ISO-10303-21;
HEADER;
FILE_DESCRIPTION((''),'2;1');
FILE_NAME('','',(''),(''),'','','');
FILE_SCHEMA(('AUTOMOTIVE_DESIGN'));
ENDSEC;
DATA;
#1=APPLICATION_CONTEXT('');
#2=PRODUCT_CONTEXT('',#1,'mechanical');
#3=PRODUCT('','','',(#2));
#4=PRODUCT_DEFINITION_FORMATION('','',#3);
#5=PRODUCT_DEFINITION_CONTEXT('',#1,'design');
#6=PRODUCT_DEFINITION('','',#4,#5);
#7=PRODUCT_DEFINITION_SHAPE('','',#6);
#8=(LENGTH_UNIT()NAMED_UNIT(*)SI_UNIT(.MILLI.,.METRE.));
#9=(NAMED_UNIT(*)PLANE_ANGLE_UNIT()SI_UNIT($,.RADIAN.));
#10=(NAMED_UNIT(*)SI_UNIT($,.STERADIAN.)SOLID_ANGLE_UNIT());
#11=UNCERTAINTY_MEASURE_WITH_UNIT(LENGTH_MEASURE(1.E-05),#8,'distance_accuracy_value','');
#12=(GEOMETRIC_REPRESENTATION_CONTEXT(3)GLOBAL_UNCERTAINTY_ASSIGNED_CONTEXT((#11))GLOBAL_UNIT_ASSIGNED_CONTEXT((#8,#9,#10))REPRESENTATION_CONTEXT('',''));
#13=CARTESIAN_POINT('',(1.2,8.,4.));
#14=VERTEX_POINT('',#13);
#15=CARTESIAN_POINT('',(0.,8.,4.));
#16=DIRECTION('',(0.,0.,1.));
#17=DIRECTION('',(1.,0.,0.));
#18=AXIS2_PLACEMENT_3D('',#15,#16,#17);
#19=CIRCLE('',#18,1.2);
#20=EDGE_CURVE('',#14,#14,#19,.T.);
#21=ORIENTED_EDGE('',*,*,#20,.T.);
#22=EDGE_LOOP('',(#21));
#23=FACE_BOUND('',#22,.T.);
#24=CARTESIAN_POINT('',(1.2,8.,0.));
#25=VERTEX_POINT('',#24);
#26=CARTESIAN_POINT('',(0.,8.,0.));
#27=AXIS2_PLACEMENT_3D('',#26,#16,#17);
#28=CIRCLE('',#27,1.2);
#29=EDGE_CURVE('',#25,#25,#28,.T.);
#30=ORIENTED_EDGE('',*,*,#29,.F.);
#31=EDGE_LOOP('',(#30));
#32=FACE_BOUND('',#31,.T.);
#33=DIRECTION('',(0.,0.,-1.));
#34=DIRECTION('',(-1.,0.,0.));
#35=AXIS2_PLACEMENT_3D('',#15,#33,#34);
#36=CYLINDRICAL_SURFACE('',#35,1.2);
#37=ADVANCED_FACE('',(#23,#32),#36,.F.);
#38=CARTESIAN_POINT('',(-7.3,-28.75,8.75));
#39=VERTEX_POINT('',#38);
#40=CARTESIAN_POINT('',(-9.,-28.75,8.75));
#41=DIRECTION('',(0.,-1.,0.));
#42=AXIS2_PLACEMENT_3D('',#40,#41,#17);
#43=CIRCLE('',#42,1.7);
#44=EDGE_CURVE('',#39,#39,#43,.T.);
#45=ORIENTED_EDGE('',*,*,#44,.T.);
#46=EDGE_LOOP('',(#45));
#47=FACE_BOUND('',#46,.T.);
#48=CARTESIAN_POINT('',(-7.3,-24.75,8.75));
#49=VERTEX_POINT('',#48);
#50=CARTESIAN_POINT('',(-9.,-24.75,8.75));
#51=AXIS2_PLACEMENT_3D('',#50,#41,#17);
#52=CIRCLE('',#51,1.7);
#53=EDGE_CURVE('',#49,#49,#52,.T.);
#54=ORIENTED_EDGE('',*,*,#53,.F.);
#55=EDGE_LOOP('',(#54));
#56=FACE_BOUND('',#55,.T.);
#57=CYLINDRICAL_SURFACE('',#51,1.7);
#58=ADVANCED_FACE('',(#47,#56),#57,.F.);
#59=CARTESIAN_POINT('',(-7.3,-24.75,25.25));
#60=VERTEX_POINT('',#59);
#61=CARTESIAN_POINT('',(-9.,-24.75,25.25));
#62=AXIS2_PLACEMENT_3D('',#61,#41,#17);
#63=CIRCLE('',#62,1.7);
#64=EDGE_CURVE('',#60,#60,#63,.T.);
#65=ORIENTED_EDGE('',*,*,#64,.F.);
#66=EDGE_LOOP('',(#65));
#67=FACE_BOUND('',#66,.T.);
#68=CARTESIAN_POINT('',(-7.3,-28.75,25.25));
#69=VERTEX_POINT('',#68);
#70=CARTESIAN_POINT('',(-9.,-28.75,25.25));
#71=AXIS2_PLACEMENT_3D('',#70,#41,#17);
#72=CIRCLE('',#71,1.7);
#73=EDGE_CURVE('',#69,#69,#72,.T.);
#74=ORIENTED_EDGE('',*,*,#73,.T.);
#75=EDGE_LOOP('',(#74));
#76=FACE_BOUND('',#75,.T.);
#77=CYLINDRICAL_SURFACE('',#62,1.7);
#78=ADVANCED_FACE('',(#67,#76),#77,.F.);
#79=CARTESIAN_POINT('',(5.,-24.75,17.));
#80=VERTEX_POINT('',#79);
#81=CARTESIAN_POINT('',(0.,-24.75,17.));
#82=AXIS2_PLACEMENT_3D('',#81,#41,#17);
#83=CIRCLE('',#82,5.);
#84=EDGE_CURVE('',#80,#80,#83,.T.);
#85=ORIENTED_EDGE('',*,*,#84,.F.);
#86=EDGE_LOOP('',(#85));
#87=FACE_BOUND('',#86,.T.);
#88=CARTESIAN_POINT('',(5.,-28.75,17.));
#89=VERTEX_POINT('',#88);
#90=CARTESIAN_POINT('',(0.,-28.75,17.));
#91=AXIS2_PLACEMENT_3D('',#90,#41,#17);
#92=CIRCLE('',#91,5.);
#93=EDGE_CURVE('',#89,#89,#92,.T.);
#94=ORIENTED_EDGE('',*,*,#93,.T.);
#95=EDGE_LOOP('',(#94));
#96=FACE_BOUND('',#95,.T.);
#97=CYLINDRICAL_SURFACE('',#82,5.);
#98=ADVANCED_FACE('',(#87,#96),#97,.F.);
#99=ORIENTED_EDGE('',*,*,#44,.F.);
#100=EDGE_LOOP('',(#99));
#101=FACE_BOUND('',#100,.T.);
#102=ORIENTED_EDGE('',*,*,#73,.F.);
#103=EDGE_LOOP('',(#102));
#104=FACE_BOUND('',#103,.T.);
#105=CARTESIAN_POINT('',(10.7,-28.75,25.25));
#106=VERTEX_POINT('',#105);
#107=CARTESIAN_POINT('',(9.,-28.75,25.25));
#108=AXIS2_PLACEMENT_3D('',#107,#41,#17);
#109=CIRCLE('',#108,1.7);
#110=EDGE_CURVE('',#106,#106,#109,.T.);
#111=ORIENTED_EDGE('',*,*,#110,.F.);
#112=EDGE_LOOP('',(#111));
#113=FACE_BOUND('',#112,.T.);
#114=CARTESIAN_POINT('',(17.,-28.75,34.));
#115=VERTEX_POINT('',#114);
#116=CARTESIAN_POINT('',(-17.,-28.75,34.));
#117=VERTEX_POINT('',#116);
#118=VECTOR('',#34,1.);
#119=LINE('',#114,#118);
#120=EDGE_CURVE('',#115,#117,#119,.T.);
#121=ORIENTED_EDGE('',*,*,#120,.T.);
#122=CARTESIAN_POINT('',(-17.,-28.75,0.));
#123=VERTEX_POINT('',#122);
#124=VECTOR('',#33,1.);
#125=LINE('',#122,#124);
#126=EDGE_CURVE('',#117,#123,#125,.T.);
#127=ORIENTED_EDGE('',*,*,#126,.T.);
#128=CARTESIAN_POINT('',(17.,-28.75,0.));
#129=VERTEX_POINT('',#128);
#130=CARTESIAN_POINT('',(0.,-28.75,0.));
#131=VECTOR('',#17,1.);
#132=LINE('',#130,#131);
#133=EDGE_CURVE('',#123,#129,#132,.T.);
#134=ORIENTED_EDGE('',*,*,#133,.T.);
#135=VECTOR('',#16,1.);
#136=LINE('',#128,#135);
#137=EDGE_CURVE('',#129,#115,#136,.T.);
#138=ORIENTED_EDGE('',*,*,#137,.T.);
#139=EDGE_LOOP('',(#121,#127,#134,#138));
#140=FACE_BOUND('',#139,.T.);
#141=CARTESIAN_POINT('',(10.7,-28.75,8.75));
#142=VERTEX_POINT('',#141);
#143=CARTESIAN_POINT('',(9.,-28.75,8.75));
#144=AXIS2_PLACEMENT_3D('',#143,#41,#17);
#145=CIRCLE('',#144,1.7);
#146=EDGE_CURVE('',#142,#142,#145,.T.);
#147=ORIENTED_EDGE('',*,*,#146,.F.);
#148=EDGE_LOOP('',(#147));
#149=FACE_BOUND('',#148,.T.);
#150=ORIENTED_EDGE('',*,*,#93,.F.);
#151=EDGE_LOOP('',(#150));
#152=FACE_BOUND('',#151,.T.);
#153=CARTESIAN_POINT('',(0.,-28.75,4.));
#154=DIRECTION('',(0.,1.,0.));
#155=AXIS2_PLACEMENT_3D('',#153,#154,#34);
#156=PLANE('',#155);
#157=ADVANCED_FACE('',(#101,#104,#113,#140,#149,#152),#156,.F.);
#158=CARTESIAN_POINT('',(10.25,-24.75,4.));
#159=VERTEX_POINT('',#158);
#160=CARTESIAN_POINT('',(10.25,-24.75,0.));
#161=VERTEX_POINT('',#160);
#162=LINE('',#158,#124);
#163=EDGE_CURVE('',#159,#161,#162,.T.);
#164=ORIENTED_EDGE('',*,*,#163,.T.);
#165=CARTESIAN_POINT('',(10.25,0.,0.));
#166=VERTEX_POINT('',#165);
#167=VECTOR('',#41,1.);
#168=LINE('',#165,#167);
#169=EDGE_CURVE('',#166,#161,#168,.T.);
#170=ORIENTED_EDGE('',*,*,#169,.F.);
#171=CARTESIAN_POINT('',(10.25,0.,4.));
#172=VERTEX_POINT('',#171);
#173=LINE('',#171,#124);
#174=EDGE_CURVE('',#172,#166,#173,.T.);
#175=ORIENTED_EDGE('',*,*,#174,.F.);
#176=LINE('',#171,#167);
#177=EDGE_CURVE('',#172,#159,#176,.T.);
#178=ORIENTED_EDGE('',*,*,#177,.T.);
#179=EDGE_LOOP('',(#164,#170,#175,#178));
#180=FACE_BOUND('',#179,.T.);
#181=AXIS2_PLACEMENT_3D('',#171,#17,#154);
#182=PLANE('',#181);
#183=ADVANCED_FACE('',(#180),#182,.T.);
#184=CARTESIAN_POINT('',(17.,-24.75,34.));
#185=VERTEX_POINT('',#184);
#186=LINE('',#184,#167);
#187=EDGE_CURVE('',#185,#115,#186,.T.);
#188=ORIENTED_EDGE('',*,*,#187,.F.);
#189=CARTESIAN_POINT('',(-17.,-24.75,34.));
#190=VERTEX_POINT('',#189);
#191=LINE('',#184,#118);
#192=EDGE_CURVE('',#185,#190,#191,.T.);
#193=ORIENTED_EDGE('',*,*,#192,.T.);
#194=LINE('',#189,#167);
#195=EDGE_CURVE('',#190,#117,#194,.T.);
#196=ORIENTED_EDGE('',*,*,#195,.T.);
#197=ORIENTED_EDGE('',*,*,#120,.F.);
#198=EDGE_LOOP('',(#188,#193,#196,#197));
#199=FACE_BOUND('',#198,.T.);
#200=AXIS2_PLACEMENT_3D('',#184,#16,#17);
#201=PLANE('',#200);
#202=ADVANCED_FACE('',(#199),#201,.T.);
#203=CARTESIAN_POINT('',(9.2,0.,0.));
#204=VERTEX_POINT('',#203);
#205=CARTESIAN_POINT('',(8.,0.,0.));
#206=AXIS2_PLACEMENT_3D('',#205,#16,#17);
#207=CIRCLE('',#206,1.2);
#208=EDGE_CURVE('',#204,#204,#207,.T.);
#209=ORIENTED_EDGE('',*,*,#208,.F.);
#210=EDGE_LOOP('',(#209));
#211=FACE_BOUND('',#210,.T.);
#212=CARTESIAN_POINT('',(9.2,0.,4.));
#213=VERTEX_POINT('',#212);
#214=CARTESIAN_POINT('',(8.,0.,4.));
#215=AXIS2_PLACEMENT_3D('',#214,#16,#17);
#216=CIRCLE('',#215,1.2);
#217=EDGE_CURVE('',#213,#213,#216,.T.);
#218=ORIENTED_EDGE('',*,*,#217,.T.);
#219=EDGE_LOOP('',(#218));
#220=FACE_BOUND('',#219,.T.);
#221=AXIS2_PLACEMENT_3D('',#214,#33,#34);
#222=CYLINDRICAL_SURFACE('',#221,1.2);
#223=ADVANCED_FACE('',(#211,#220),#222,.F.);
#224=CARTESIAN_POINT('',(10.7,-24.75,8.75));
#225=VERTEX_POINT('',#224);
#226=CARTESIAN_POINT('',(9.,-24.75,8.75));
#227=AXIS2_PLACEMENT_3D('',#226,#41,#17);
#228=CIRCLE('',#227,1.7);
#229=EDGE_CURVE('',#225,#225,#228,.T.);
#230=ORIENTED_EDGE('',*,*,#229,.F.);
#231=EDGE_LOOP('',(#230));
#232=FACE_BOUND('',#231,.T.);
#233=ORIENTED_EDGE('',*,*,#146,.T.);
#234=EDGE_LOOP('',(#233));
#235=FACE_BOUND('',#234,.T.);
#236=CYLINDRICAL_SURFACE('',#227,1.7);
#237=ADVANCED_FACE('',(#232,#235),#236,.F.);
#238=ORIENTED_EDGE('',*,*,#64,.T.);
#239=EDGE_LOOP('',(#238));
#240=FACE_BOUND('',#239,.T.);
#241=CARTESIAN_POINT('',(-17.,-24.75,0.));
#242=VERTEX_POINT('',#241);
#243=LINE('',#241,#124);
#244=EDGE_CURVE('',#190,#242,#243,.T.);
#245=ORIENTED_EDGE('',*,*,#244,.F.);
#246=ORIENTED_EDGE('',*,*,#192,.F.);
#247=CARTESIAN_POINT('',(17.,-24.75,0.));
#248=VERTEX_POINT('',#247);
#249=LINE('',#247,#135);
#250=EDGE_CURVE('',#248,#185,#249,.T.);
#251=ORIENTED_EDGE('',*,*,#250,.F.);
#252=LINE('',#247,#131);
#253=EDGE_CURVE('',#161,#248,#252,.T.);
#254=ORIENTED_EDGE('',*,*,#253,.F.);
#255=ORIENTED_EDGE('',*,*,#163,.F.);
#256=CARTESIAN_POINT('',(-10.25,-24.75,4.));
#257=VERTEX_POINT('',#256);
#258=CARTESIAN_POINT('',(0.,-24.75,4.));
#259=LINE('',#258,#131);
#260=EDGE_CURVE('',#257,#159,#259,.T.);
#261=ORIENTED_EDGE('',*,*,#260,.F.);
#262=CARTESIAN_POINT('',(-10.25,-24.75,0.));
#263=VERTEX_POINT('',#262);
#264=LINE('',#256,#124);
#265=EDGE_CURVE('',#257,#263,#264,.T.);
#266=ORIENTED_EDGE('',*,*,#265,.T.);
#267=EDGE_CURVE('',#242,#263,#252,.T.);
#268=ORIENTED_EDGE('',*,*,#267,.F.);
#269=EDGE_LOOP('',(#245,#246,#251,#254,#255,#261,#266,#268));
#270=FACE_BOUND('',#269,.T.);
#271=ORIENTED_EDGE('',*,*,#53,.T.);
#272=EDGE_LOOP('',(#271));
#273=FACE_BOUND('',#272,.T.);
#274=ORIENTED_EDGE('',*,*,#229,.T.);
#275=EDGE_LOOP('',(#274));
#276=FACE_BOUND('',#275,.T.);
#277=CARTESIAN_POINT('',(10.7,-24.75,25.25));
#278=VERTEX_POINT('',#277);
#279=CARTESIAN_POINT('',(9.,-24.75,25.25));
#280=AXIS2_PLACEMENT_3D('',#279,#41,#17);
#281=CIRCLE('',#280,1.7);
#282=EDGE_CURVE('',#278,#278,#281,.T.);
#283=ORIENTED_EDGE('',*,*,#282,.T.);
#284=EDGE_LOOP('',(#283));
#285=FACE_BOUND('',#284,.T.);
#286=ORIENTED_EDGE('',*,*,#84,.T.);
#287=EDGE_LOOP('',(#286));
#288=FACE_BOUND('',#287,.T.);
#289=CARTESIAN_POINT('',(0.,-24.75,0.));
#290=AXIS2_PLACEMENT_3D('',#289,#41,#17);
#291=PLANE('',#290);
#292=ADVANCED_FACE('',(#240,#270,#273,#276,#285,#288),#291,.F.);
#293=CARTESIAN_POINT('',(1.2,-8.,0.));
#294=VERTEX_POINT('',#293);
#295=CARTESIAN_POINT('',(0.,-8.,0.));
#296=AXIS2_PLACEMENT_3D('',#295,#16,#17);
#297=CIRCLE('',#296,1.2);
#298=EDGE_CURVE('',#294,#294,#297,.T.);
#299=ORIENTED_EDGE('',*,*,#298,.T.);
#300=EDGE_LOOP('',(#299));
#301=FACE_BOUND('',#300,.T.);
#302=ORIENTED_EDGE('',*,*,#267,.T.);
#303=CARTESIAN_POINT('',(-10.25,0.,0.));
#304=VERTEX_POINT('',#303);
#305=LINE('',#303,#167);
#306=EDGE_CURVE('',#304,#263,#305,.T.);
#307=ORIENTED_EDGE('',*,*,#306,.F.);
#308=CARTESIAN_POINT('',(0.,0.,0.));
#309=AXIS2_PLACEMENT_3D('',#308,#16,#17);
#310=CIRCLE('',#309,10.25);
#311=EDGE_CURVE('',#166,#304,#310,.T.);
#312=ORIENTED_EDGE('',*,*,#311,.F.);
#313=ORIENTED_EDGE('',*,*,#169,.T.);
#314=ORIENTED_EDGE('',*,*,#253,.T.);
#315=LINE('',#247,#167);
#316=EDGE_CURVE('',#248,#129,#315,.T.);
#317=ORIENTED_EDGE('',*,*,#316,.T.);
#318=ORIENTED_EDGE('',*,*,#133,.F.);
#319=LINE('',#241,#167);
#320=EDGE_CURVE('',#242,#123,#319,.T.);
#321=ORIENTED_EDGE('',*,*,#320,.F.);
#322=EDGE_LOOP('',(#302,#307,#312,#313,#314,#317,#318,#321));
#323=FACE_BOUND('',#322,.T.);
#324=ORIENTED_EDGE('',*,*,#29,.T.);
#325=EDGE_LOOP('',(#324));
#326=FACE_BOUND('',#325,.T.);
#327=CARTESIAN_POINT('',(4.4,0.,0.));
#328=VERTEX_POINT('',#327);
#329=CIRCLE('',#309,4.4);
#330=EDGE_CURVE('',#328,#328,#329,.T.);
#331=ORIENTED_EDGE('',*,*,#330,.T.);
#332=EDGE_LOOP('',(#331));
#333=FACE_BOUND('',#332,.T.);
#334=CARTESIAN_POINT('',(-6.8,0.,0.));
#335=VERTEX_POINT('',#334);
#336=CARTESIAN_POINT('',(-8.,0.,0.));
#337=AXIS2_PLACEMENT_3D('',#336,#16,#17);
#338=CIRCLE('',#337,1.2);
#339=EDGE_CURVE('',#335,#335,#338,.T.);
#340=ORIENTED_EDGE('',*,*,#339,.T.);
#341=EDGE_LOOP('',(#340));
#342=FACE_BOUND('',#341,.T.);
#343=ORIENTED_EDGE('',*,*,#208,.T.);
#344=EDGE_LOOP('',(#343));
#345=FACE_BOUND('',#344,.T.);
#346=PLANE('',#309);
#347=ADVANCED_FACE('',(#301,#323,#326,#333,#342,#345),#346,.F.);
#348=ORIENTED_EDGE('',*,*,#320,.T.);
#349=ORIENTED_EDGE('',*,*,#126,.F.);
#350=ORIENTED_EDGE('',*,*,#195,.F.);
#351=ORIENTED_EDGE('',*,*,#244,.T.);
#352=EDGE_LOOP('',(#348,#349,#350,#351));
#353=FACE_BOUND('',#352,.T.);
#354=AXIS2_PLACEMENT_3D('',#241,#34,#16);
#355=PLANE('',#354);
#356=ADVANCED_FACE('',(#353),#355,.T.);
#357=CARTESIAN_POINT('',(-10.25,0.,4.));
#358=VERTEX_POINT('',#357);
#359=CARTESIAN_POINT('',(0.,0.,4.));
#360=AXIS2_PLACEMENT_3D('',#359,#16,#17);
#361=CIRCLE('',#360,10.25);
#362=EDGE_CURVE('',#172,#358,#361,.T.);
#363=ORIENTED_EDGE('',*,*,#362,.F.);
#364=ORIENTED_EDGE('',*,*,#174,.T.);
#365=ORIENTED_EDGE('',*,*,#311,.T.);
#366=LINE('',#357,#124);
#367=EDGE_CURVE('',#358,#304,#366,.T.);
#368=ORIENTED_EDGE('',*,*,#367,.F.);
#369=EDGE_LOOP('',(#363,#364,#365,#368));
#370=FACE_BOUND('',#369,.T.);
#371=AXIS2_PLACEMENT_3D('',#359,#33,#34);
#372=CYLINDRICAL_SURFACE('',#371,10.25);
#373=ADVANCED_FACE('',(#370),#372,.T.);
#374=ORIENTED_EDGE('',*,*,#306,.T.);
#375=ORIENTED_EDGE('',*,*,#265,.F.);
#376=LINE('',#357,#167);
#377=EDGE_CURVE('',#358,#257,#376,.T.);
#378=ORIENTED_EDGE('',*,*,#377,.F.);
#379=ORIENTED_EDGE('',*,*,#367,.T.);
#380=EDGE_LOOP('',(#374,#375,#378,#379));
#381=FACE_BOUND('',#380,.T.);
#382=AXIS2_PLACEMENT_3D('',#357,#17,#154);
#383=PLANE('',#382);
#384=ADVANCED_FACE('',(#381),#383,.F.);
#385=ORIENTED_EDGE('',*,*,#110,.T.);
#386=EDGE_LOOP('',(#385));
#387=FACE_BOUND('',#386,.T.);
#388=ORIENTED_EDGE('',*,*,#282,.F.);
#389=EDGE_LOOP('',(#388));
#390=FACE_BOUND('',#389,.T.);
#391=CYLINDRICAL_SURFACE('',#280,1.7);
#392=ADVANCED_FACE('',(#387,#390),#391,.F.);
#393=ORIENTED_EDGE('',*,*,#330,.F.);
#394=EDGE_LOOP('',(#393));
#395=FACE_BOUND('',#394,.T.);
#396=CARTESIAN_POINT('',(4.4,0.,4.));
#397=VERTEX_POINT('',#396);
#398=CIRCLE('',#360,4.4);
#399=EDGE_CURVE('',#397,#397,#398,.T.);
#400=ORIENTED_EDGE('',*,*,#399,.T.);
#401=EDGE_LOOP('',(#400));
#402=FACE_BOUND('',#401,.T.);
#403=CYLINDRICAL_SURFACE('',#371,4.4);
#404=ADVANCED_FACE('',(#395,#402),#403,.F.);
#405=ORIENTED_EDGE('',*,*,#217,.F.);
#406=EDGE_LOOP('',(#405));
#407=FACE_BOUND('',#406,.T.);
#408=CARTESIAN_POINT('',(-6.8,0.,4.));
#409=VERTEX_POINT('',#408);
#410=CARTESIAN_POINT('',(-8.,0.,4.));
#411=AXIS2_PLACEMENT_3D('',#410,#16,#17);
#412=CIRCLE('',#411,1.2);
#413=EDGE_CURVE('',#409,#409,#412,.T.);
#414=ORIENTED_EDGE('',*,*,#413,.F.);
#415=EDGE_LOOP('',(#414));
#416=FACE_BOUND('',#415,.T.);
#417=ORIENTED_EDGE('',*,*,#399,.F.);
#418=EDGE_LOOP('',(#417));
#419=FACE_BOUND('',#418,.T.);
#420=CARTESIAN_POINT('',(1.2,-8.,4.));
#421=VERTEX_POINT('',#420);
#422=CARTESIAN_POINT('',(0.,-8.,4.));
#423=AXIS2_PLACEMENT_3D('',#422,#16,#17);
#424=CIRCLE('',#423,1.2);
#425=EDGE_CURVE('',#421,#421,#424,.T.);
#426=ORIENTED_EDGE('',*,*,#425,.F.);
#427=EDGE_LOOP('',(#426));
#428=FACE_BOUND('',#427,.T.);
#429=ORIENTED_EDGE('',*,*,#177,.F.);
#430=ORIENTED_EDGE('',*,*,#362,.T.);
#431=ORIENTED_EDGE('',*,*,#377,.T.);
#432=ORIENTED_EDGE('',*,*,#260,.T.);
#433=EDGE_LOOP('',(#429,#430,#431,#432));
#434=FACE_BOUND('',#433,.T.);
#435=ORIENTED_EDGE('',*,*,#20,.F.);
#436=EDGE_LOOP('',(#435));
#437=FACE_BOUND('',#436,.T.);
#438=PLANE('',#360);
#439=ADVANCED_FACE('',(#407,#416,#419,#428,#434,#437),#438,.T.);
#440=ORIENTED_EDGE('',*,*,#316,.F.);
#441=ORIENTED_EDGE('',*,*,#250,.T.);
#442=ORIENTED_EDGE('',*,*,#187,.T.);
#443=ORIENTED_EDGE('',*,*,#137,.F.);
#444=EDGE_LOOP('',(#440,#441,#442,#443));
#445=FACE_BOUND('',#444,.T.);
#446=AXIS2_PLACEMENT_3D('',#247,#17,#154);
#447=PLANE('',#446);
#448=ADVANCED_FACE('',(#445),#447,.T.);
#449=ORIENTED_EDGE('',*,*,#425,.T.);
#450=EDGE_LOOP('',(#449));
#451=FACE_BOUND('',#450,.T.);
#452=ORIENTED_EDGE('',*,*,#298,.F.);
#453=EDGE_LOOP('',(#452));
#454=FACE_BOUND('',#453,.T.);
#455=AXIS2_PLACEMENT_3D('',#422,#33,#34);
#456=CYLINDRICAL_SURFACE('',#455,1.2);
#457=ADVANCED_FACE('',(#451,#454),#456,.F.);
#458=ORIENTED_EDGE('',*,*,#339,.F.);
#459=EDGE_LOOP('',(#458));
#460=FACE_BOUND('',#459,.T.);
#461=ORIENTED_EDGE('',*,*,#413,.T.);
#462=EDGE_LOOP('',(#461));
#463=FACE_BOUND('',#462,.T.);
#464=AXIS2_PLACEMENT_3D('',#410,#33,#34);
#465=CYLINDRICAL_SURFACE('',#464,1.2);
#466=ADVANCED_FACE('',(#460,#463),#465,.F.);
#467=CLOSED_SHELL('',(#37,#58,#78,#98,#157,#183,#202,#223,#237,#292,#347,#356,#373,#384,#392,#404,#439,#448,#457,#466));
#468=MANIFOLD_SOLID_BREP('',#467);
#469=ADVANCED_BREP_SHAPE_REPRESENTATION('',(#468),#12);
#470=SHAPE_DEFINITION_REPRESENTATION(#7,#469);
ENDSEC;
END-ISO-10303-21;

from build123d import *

# Parameters (mm, degrees)
SKETCH1_R           = 1.2
SKETCH1_R_2         = 4.4
BOSS_EXTRUDE1_DEPTH = 4
SKETCH3_W           = 34
SKETCH3_H           = 34
SKETCH3_R           = 5
SKETCH3_R_2         = 1.7
BOSS_EXTRUDE3_DEPTH = 4


with BuildPart() as part:
    # Sketch1 → Boss-Extrude1 (new body)
    with BuildSketch(Plane.XY):
        with BuildLine():
            Line((-10.25, -28.75), (10.25, -28.75))
            Line((10.25, -28.75), (10.25, 0))
            ThreePointArc((10.25, 0), (0, 10.25), (-10.25, 0))
            Line((-10.25, 0), (-10.25, -28.75))
        make_face()
        with Locations((0, 8)):
            Circle(SKETCH1_R, mode=Mode.SUBTRACT)
        with Locations((-8, 0)):
            Circle(SKETCH1_R, mode=Mode.SUBTRACT)
        with Locations((0, -8)):
            Circle(SKETCH1_R, mode=Mode.SUBTRACT)
        with Locations((8, 0)):
            Circle(SKETCH1_R, mode=Mode.SUBTRACT)
        Circle(SKETCH1_R_2, mode=Mode.SUBTRACT)
    extrude(amount=BOSS_EXTRUDE1_DEPTH)

    # Sketch3 → Boss-Extrude3 (add)
    with BuildSketch(Plane(origin=(0, -28.75, 0), x_dir=(-1, 0, 0), z_dir=(0, -1, 0))):
        with Locations((0, -17)):
            Rectangle(SKETCH3_W, SKETCH3_H)
        with Locations(Location((0, -17, 0), (0, 0, 180))):
            Circle(SKETCH3_R, mode=Mode.SUBTRACT)
        with Locations(Location((-9, -8.75, 0), (0, 0, 180))):
            Circle(SKETCH3_R_2, mode=Mode.SUBTRACT)
        with Locations(Location((9, -8.75, 0), (0, 0, 180))):
            Circle(SKETCH3_R_2, mode=Mode.SUBTRACT)
        with Locations(Location((9, -25.25, 0), (0, 0, 180))):
            Circle(SKETCH3_R_2, mode=Mode.SUBTRACT)
        with Locations(Location((-9, -25.25, 0), (0, 0, 180))):
            Circle(SKETCH3_R_2, mode=Mode.SUBTRACT)
    extrude(amount=-BOSS_EXTRUDE3_DEPTH)


solid = part.part
